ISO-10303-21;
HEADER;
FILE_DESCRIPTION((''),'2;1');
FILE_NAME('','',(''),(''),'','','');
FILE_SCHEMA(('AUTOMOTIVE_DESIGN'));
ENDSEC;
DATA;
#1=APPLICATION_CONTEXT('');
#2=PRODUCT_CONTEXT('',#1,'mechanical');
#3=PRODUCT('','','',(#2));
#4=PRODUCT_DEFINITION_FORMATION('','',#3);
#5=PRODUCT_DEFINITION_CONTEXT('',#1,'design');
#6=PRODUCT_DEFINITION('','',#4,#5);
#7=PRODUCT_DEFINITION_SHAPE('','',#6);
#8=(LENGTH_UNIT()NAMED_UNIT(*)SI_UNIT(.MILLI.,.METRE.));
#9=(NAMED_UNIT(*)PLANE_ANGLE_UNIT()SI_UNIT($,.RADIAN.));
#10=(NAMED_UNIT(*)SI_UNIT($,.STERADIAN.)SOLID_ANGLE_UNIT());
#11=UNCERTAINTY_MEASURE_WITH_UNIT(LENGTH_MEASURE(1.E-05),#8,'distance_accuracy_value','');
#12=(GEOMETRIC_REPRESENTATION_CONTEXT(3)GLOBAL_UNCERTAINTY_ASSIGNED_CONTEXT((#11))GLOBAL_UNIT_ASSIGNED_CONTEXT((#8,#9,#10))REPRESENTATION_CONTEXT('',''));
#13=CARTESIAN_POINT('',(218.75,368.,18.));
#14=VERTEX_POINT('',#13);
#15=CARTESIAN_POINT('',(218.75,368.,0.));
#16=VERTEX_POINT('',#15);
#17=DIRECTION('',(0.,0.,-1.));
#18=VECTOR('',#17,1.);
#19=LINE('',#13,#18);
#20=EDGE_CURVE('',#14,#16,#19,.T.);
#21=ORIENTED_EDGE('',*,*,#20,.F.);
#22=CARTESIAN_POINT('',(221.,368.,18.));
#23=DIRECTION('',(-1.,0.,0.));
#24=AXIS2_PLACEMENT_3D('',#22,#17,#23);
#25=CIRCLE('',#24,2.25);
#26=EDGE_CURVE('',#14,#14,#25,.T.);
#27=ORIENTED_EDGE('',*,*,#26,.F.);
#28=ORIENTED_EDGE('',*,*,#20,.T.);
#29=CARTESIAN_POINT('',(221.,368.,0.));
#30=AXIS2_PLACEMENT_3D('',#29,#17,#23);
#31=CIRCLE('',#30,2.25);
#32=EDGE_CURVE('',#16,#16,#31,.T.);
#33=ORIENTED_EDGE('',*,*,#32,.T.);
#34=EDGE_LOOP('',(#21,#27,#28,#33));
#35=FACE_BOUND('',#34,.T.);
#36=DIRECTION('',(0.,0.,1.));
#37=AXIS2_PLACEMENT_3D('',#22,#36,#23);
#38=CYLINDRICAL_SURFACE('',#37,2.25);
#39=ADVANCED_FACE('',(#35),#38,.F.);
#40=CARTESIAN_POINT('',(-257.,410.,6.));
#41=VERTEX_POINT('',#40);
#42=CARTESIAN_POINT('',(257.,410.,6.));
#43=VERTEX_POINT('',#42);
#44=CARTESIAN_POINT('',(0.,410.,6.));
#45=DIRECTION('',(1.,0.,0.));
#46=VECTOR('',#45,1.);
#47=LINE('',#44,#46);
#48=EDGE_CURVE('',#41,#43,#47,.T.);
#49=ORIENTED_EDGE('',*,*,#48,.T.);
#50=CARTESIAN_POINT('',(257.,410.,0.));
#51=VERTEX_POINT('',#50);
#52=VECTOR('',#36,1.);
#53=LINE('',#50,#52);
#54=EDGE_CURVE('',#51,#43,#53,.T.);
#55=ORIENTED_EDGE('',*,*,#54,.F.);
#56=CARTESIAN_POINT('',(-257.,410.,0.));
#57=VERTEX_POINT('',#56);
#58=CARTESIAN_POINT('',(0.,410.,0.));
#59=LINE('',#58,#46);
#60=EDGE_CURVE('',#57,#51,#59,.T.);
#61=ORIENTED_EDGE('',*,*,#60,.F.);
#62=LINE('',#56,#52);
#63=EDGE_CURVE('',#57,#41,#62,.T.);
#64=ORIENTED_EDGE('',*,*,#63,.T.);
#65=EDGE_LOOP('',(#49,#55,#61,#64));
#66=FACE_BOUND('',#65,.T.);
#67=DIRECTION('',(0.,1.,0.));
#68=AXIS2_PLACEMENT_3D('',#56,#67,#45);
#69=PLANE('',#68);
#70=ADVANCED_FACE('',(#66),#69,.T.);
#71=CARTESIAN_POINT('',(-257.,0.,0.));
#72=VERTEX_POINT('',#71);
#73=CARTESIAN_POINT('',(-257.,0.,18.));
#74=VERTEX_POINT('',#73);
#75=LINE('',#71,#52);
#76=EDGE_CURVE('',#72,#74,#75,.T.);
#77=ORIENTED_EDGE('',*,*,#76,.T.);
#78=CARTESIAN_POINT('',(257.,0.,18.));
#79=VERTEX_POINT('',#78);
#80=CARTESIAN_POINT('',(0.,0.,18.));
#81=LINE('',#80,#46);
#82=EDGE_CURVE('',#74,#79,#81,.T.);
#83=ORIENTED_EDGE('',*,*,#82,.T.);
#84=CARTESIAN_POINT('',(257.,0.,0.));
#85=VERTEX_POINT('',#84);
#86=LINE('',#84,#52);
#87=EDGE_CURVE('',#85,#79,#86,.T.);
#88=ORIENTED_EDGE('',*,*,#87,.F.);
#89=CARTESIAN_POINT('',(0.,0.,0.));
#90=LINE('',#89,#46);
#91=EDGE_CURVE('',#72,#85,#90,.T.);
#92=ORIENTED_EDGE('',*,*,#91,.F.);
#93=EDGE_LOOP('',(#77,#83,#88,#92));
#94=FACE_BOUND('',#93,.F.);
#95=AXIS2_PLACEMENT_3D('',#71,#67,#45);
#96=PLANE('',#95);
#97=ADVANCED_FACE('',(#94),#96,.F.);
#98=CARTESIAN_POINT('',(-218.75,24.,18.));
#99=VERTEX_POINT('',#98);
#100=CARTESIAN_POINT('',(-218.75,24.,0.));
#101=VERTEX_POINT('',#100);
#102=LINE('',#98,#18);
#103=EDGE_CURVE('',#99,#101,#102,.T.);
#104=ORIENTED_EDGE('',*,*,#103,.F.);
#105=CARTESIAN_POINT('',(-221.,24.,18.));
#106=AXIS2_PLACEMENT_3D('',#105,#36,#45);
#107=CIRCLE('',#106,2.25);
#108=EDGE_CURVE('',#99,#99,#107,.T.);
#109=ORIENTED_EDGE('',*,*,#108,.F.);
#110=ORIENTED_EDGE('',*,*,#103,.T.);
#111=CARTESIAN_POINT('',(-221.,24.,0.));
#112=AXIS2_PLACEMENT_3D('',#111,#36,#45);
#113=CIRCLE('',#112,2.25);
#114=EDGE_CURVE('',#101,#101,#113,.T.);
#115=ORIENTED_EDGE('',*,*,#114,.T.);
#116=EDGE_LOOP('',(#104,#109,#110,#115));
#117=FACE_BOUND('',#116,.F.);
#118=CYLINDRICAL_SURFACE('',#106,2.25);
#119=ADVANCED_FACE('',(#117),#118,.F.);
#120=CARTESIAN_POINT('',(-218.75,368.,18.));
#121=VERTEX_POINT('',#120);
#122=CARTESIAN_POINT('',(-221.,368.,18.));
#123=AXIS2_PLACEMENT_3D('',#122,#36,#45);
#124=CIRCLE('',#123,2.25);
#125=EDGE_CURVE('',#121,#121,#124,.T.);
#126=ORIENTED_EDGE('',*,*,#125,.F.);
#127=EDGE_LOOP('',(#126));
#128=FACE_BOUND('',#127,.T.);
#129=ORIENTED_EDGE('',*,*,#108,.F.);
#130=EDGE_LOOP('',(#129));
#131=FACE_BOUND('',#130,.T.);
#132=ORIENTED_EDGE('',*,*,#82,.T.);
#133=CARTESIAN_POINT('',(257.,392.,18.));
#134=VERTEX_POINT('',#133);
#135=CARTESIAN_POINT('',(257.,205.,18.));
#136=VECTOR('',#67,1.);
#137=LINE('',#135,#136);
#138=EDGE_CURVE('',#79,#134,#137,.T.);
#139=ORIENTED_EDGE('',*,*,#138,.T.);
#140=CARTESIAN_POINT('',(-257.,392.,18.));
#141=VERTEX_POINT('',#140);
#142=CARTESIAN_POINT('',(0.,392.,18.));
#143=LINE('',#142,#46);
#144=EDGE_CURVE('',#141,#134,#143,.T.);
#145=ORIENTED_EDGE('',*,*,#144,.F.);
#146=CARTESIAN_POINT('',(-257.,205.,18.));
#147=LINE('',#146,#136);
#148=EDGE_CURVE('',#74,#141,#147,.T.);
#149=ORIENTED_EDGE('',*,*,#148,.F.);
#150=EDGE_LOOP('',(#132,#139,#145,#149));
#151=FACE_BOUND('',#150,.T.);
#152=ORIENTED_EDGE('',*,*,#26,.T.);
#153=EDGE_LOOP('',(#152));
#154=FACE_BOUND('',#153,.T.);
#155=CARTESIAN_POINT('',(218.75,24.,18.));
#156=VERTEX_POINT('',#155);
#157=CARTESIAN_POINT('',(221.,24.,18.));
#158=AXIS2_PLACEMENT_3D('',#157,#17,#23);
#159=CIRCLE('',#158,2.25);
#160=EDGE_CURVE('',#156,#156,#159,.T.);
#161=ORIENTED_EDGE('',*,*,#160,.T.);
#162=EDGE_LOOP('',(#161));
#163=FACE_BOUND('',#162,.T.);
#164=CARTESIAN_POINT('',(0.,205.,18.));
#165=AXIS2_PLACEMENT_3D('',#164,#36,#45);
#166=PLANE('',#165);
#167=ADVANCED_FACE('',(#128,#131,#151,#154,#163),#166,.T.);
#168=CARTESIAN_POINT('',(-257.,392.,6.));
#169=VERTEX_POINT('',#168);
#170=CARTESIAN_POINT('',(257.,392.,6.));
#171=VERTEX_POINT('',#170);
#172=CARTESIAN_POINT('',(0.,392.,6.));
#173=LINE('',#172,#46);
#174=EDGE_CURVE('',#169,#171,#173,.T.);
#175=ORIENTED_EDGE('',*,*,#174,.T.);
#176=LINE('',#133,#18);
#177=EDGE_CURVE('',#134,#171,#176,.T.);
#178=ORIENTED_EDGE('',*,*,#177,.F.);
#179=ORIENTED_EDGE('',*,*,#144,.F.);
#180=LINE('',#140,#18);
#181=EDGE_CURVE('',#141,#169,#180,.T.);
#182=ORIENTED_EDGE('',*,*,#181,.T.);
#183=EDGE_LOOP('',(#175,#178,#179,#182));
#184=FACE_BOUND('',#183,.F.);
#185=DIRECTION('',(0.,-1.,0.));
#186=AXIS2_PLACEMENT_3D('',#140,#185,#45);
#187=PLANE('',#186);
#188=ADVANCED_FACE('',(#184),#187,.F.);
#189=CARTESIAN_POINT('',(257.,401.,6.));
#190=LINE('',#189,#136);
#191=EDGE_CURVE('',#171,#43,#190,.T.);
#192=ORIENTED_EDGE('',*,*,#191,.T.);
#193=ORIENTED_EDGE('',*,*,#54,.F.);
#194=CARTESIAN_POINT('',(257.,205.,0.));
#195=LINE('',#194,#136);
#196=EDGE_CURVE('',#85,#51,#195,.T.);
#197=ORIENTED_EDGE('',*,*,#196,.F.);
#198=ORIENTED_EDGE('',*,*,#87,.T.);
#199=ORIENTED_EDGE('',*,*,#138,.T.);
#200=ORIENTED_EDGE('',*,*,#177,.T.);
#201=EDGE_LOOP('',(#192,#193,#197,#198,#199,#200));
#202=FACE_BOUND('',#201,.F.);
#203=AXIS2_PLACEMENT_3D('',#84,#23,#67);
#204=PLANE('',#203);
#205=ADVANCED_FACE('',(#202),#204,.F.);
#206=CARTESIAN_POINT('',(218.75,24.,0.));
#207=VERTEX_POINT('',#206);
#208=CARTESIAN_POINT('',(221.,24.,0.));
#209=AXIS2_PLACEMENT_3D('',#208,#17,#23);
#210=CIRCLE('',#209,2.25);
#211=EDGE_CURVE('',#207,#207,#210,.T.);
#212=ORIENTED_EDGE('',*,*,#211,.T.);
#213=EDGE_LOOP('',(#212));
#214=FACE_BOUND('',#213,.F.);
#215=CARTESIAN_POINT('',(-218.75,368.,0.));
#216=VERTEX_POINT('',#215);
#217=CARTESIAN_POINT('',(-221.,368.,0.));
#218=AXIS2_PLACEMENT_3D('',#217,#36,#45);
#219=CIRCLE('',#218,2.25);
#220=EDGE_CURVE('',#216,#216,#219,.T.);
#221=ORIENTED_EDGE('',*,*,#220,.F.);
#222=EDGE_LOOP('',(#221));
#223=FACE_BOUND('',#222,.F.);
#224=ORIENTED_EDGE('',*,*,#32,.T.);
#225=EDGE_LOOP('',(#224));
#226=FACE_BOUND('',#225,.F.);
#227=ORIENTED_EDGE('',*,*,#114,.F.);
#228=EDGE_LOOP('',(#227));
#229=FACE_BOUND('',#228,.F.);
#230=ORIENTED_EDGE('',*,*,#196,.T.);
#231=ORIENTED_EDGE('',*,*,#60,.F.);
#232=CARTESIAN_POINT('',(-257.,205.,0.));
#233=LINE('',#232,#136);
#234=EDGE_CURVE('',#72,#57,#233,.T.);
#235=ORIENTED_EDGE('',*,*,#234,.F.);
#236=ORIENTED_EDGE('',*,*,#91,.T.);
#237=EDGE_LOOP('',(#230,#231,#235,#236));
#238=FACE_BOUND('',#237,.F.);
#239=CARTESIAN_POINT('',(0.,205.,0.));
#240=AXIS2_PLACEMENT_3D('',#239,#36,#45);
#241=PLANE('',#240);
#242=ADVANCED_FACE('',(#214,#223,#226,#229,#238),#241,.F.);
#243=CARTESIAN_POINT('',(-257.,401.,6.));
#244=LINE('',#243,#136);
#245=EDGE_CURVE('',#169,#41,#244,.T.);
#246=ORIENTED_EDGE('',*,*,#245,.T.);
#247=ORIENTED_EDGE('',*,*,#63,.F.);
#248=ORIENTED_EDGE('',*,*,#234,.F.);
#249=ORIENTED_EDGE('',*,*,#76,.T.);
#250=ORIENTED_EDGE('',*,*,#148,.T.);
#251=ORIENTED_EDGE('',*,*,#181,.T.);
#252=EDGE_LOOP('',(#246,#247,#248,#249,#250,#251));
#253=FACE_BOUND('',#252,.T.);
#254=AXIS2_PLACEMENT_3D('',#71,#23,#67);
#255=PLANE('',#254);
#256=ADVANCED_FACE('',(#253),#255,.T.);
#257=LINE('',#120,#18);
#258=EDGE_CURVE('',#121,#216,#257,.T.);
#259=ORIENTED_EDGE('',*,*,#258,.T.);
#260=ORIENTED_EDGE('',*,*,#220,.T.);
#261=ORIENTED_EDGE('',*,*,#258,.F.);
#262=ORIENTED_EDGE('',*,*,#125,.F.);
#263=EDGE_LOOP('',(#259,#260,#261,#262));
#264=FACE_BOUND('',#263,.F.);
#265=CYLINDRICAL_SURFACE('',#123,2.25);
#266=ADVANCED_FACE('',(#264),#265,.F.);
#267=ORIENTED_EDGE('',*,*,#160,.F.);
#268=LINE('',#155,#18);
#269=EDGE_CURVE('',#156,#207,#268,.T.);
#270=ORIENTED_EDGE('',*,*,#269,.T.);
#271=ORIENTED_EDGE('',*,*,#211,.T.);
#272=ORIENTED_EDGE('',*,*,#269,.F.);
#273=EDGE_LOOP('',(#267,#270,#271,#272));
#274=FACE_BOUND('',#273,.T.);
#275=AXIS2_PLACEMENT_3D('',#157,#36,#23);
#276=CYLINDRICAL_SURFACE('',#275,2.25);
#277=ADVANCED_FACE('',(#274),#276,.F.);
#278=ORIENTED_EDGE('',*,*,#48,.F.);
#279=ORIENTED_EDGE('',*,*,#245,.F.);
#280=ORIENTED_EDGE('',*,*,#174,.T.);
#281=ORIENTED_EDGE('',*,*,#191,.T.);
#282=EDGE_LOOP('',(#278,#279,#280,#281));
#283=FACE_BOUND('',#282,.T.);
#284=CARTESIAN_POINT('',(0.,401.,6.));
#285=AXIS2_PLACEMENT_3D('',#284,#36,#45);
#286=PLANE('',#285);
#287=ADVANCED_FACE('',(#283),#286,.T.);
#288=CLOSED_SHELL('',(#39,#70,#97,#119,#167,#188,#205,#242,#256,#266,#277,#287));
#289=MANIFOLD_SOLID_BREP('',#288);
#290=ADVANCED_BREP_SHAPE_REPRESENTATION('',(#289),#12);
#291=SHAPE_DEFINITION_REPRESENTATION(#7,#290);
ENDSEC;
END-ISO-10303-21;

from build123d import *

# Parameters (mm, degrees)
SKETCH043_W     = 514
SKETCH043_H     = 410
PAD016_DEPTH    = 18
SKETCH044_W     = 514
SKETCH044_H     = 18
POCKET027_DEPTH = 12
SKETCH045_R     = 2.25
POCKET028_DEPTH = 18


with BuildPart() as part:
    # Sketch043 → Pad016 (new body)
    with BuildSketch(Plane.XY):
        with Locations((0, 205)):
            Rectangle(SKETCH043_W, SKETCH043_H)
    extrude(amount=PAD016_DEPTH)

    # Sketch044 (on Face6 of Pad016) → Pocket027 (cut)
    with BuildSketch(Plane.XY.offset(18)):
        with Locations((0, 401)):
            Rectangle(SKETCH044_W, SKETCH044_H)
    extrude(amount=-POCKET027_DEPTH, mode=Mode.SUBTRACT)

    # Sketch045 (on Face7 of Pocket027) → Pocket028 (cut)
    with BuildSketch(Plane.XY.offset(18)):
        with Locations((-221, 24)):
            Circle(SKETCH045_R)
        with Locations((-221, 368)):
            Circle(SKETCH045_R)
    pocket028 = extrude(amount=-POCKET028_DEPTH, mode=Mode.SUBTRACT)

    # Mirrored010: Pocket028 across Sketch045 V_Axis
    add(pocket028.mirror(Plane(origin=(0, 0, 18), x_dir=(0, 0, 1), z_dir=(1, 0, 0))), mode=Mode.SUBTRACT)


solid = part.part
